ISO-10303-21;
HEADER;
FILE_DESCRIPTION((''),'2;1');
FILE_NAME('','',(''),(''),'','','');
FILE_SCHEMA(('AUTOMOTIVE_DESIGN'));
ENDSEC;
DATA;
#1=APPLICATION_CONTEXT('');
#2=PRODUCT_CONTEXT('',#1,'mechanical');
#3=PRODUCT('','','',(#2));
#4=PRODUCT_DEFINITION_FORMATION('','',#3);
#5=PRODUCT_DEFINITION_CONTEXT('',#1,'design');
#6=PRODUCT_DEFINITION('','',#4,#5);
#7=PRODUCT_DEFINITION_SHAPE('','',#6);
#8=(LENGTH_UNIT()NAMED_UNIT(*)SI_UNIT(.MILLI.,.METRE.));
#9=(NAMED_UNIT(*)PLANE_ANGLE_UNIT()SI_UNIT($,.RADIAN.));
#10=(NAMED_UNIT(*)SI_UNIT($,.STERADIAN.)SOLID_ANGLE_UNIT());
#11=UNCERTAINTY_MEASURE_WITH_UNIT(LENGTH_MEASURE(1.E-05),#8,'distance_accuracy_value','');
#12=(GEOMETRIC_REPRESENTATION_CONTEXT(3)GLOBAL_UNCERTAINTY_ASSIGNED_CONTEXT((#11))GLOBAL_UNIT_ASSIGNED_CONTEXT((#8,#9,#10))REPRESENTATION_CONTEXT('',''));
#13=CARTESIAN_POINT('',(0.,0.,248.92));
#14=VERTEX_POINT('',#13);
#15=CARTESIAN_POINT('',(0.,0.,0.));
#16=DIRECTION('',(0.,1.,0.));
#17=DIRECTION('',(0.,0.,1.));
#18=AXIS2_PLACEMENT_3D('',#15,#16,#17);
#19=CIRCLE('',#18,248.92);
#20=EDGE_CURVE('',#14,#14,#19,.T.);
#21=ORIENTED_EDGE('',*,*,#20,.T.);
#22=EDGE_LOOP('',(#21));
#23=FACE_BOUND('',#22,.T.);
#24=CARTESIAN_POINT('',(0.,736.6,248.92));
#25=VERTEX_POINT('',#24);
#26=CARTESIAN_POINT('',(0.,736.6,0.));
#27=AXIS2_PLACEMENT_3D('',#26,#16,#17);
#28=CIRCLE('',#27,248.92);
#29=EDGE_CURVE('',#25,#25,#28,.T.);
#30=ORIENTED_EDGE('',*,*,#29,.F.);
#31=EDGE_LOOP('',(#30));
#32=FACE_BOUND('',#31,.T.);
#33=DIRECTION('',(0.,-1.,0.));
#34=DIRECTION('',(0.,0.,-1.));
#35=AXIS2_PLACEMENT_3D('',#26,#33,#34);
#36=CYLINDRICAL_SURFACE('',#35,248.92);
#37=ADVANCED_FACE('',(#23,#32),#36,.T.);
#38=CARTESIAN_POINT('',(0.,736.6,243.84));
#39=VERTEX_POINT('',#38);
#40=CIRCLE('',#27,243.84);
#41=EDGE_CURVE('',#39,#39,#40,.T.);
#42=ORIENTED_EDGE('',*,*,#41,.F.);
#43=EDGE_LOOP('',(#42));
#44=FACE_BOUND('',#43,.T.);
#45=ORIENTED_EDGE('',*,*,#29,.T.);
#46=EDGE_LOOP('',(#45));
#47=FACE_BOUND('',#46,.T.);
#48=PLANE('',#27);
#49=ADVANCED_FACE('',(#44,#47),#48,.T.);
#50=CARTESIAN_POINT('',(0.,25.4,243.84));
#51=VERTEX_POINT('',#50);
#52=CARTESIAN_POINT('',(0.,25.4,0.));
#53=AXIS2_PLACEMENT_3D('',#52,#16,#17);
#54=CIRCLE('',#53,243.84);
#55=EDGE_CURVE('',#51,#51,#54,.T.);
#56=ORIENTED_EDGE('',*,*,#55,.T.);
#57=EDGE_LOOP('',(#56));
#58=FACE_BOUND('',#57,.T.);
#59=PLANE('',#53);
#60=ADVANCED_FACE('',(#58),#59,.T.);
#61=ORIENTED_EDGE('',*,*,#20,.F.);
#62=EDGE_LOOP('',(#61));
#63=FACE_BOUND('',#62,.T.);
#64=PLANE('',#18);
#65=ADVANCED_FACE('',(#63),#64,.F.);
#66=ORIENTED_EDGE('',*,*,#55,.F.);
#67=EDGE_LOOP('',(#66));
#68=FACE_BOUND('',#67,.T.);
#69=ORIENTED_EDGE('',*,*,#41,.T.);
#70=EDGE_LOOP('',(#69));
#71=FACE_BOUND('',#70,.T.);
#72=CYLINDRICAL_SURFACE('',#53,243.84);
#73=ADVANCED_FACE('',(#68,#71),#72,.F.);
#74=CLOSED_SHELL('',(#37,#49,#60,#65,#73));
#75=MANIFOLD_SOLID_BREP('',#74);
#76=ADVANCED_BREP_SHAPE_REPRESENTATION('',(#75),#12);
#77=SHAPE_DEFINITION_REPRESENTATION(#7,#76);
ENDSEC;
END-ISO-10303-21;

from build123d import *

# Parameters (mm, degrees)
SKETCH1_R           = 248.92
BOSS_EXTRUDE1_DEPTH = 736.6
SKETCH2_R           = 243.84
CUT_EXTRUDE1_DEPTH  = 711.2


with BuildPart() as part:
    # Sketch1 → Boss-Extrude1 (new body)
    with BuildSketch(Plane(origin=(0, 0, 0), x_dir=(1, 0, 0), z_dir=(0, 1, 0))):
        with Locations(Location((0, 0, 0), (0, 0, 270))):
            Circle(SKETCH1_R)
    extrude(amount=BOSS_EXTRUDE1_DEPTH)

    # Sketch2 → Cut-Extrude1 (cut)
    with BuildSketch(Plane(origin=(0, 736.6, 0), x_dir=(1, 0, 0), z_dir=(0, 1, 0))):
        with Locations(Location((0, 0, 0), (0, 0, 270))):
            Circle(SKETCH2_R)
    extrude(amount=-CUT_EXTRUDE1_DEPTH, mode=Mode.SUBTRACT)


solid = part.part
